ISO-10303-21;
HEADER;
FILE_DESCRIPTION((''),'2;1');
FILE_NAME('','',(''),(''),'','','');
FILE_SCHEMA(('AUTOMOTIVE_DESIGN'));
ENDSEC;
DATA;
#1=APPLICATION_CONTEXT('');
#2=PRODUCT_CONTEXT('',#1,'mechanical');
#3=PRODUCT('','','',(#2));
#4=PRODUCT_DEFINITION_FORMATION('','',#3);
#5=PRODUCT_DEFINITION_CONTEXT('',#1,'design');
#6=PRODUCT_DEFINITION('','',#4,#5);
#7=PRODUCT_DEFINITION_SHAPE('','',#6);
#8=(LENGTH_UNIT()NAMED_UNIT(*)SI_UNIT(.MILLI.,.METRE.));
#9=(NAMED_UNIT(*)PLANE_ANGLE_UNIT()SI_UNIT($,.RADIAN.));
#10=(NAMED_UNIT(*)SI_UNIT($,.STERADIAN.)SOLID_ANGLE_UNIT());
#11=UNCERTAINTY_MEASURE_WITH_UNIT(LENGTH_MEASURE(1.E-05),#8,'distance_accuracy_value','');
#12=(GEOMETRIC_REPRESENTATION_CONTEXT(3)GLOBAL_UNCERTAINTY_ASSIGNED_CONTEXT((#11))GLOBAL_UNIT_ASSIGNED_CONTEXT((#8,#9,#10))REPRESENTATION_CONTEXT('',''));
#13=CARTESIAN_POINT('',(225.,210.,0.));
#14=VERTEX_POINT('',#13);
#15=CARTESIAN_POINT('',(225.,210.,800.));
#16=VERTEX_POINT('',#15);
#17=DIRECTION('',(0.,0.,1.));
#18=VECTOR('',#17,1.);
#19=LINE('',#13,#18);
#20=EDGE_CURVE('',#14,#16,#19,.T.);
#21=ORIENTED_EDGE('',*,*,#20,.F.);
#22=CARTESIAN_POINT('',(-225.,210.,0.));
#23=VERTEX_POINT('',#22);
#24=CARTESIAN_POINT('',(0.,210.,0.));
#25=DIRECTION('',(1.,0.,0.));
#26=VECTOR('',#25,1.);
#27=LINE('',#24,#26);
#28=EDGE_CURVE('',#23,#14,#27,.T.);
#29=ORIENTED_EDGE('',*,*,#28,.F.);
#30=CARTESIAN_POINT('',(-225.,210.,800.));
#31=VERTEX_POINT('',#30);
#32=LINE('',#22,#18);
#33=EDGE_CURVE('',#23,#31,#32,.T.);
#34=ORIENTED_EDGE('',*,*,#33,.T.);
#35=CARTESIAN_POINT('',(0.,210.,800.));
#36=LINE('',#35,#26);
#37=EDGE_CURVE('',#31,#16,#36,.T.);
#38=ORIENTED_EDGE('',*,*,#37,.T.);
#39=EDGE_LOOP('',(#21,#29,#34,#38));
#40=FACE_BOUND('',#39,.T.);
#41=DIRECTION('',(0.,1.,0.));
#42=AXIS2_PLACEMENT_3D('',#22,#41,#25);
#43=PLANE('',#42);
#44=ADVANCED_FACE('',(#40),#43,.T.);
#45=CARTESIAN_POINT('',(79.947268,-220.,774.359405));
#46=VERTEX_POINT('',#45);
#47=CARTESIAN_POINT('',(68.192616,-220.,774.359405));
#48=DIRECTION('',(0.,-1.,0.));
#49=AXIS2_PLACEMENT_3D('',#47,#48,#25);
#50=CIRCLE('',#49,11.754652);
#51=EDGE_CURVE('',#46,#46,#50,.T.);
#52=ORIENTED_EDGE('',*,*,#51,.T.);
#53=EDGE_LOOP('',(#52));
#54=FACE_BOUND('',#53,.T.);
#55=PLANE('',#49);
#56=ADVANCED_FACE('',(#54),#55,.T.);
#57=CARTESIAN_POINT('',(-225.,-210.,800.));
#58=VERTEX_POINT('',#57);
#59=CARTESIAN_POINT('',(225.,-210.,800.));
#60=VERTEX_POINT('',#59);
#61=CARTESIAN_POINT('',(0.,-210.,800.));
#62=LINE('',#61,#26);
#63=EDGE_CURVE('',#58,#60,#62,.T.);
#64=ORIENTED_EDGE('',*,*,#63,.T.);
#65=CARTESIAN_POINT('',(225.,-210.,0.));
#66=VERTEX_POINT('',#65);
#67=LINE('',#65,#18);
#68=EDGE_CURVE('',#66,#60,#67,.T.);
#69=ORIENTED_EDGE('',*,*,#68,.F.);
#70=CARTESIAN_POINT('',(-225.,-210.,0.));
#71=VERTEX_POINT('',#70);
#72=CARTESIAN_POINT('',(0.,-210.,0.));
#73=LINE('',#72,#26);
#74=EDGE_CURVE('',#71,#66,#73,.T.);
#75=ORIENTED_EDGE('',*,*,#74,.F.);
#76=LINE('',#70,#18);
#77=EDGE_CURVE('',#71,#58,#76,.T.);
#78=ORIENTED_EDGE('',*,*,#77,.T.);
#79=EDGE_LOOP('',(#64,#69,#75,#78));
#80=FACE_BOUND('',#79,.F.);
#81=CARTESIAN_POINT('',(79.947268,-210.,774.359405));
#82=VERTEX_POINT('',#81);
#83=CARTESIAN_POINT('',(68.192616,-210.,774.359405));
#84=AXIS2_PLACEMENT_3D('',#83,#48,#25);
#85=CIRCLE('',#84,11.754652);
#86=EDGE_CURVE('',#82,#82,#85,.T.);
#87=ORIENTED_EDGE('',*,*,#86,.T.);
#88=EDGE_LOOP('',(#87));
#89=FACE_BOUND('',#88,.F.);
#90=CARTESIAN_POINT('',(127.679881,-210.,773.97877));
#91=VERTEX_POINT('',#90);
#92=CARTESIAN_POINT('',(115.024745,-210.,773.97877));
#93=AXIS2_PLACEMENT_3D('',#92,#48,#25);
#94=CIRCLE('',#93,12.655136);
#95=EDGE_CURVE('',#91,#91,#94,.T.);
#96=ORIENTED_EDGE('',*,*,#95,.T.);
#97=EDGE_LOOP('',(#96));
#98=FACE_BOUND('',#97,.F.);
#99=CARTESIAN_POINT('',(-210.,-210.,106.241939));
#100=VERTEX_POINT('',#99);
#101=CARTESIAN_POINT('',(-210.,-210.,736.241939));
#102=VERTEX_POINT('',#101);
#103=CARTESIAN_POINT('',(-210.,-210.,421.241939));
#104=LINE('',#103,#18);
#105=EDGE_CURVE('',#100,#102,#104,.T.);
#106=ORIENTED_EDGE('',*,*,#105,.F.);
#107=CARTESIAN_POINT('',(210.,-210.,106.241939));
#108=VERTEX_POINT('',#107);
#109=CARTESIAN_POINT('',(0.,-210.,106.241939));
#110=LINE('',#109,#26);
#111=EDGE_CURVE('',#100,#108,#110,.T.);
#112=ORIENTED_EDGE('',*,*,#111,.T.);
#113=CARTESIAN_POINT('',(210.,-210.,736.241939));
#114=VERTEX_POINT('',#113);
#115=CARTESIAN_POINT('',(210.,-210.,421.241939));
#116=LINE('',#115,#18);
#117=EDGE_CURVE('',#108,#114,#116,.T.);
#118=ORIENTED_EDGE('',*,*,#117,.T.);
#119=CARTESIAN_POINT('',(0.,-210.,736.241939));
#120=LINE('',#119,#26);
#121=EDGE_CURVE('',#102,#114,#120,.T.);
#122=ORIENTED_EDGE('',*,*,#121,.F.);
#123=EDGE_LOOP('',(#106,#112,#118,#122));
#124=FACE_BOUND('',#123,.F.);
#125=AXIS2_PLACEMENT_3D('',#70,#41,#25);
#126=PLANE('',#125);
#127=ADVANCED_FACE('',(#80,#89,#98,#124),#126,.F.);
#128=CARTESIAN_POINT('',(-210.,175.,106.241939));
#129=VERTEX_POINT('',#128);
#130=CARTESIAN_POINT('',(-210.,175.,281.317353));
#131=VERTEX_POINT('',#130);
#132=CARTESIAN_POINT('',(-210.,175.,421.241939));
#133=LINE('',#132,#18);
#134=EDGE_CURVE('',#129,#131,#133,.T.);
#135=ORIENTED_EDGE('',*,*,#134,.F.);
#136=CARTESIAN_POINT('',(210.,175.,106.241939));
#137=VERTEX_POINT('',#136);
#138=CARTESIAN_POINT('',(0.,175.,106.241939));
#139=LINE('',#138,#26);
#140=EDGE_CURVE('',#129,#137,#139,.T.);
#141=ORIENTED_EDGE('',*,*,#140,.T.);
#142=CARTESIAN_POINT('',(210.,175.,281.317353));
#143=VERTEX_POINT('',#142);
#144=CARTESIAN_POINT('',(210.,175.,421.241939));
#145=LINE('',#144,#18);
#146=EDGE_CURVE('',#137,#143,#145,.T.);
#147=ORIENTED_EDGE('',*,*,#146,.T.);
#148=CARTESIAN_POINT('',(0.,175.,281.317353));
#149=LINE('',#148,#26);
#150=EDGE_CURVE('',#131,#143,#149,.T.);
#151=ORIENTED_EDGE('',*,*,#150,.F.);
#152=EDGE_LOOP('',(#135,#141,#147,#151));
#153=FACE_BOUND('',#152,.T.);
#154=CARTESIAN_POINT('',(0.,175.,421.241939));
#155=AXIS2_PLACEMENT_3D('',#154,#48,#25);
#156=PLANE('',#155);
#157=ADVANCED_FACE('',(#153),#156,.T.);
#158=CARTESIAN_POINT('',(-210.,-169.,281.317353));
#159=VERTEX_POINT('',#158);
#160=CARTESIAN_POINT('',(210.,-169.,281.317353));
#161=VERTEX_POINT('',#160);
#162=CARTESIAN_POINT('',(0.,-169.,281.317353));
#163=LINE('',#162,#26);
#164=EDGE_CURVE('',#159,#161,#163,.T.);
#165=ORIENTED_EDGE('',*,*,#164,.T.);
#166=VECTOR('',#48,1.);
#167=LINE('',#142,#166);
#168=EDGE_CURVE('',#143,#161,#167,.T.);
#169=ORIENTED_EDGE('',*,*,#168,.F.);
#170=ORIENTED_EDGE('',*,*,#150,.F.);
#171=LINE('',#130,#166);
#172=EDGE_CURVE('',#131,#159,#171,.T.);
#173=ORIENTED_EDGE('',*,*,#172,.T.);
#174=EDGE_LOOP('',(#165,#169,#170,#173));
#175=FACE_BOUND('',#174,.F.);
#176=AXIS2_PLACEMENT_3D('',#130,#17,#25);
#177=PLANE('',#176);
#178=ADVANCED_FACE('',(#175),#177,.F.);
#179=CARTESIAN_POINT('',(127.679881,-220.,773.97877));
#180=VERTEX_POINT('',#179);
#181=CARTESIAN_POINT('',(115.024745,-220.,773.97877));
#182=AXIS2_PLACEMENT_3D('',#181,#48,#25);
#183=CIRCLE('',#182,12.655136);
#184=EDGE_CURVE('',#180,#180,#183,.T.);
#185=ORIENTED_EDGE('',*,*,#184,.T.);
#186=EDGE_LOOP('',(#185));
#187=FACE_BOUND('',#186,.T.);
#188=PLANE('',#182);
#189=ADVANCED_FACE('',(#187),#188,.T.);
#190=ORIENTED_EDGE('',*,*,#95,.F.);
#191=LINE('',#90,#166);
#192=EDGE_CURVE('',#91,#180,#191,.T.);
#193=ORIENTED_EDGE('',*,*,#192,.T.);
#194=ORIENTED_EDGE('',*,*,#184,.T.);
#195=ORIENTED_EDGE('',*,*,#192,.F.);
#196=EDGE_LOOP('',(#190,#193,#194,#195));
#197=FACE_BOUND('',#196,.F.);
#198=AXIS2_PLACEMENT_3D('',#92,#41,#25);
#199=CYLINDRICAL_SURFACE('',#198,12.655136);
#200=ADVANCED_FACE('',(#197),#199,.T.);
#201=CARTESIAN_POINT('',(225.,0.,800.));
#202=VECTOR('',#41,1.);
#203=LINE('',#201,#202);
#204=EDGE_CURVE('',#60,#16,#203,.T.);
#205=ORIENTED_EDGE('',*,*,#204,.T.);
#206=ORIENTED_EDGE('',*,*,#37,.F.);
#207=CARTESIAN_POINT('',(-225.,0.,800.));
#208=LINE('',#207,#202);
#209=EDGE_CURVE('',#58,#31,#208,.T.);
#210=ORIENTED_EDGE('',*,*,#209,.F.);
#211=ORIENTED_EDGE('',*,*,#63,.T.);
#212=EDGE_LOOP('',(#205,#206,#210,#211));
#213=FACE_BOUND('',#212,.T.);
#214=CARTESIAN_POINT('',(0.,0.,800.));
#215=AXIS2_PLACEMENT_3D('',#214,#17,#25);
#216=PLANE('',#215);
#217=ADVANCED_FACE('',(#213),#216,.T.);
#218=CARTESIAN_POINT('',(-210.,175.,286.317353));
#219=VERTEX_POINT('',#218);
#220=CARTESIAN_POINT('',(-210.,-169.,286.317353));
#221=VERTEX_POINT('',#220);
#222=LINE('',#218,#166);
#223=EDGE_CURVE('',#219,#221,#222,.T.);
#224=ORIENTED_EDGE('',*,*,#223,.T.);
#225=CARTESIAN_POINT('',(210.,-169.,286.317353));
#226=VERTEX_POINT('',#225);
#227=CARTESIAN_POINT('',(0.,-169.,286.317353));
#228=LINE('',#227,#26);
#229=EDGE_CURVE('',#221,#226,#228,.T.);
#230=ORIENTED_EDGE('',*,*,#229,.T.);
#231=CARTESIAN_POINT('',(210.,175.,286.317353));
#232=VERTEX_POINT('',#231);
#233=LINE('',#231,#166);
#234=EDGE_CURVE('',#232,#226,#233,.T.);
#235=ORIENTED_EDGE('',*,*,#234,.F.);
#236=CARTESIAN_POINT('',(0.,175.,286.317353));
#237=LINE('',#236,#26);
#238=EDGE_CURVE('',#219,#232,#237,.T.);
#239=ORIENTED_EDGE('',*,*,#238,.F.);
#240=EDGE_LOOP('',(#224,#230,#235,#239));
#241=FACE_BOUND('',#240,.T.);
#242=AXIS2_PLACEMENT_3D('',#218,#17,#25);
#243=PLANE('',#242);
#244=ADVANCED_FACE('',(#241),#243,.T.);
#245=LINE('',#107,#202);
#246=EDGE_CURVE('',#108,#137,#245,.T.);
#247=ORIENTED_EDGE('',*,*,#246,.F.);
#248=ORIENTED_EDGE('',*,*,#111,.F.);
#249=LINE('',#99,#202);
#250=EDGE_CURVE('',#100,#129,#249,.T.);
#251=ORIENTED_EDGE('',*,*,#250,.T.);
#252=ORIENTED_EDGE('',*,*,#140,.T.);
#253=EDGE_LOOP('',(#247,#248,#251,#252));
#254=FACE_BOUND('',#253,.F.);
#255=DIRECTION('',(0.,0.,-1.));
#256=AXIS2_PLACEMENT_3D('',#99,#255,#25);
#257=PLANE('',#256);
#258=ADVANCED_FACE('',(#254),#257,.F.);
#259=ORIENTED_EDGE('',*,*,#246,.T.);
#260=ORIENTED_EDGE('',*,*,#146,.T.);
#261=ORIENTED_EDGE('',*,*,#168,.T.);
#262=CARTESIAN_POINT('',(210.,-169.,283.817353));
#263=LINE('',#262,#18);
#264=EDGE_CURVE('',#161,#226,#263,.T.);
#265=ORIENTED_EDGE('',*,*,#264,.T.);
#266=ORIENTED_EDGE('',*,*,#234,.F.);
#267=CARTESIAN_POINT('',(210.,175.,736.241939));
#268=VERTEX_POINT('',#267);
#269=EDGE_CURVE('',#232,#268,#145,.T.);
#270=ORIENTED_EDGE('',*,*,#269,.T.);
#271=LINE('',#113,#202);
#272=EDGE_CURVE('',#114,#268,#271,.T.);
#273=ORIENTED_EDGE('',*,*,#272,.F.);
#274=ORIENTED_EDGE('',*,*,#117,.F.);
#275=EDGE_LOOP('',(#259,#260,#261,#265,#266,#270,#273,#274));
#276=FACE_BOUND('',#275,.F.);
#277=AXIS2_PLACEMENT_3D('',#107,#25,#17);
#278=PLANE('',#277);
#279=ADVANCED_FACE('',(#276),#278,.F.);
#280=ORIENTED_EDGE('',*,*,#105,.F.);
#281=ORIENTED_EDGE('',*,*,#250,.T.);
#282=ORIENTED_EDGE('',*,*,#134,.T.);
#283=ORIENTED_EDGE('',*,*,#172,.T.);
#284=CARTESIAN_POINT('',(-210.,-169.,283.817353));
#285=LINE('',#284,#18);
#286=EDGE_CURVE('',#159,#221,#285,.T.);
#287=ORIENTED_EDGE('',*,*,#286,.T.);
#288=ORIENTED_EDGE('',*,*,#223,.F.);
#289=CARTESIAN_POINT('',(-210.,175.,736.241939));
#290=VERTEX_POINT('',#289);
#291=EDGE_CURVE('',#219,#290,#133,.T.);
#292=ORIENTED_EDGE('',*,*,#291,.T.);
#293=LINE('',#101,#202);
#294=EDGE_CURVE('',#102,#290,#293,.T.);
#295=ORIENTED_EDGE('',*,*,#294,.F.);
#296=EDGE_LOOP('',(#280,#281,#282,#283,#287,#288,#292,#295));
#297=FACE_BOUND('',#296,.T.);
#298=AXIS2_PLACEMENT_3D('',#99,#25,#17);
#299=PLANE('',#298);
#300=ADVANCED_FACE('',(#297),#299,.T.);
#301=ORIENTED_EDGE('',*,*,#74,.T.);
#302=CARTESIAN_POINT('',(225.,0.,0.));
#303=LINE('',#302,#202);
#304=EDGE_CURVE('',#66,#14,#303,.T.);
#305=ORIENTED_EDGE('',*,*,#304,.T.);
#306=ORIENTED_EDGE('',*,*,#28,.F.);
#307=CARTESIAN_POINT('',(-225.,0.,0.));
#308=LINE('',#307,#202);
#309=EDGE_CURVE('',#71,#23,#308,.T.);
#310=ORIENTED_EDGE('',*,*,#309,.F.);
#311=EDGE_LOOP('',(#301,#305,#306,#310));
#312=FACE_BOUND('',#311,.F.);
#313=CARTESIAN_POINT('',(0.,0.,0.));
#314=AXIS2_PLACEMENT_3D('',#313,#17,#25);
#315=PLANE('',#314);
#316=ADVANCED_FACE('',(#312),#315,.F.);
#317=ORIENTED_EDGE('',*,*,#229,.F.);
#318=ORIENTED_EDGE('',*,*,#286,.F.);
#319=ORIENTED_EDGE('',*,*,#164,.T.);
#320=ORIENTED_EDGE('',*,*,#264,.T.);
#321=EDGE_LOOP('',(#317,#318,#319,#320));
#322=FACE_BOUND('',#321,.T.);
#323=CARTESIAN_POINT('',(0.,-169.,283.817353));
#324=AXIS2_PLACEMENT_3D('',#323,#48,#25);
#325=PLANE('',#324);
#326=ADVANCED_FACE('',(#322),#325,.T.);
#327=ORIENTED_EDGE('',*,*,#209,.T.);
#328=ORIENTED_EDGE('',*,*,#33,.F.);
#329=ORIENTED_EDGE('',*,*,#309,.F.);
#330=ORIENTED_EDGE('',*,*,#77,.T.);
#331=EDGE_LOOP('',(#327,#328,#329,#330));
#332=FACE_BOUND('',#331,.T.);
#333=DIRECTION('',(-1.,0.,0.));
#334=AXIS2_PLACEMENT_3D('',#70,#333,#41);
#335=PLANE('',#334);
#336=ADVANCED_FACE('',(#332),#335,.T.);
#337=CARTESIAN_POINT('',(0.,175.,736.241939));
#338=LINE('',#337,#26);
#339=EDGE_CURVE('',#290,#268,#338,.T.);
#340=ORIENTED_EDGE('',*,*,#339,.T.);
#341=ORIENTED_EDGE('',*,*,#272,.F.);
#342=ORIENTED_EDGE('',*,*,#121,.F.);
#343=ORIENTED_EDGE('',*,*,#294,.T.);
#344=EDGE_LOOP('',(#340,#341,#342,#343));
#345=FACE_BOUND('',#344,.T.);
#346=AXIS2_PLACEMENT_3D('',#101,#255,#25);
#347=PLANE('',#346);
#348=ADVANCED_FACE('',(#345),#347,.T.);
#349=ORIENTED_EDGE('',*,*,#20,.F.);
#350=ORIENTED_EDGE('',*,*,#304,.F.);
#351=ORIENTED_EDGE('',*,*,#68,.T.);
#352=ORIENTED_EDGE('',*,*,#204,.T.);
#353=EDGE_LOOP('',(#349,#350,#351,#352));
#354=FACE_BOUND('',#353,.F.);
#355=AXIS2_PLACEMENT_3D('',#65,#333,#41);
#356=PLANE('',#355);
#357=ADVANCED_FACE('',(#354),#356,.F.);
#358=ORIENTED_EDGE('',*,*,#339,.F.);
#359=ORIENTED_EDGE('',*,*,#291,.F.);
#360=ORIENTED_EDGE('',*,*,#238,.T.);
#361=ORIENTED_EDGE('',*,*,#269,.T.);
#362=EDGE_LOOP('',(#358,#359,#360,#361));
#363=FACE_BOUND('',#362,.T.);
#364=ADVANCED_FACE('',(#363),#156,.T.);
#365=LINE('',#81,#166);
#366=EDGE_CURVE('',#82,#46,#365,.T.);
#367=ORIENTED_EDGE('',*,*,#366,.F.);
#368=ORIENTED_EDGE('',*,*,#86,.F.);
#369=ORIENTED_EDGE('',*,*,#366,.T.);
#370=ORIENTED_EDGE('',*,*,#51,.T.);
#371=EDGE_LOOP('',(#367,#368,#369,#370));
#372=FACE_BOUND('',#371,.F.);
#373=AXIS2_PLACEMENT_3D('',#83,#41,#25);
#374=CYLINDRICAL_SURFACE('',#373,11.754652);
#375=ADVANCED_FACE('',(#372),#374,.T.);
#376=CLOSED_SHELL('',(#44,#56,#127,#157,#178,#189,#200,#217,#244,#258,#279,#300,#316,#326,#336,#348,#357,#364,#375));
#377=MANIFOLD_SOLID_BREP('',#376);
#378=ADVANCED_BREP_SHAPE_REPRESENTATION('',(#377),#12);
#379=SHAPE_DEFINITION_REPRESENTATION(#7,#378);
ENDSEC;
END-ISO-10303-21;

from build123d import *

# Parameters (mm, degrees)
F0_W     = 450
F0_H     = 420
F1_DEPTH = 800
F2_W     = 420
F2_H     = 630
F3_DEPTH = 385
F4_W     = 420
F4_H     = 5
F5_DEPTH = 344
F6_R     = 11.754652
F6_R_2   = 12.655136
F7_DEPTH = 10


with BuildPart() as f1:
    # F0 (on Top) → F1 (new body)
    with BuildSketch(Plane.XY):
        Rectangle(F0_W, F0_H)
    extrude(amount=F1_DEPTH)

    # F2 (on face) → F3 (cut)
    with BuildSketch(Plane.XZ.offset(210)):
        with Locations((0, 421.241939)):
            Rectangle(F2_W, F2_H)
    extrude(amount=-F3_DEPTH, mode=Mode.SUBTRACT)

    # F4 (on face) → F5 (join)
    with BuildSketch(Plane.XZ.offset(-175)):
        with Locations((0, 283.817353)):
            Rectangle(F4_W, F4_H)
    extrude(amount=F5_DEPTH)

    # F6 (on face) → F7 (join)
    with BuildSketch(Plane.XZ.offset(210)):
        with Locations((68.192616, 774.359405)):
            Circle(F6_R)
        with Locations((115.024745, 773.97877)):
            Circle(F6_R_2)
    extrude(amount=F7_DEPTH)


solid = f1.part
